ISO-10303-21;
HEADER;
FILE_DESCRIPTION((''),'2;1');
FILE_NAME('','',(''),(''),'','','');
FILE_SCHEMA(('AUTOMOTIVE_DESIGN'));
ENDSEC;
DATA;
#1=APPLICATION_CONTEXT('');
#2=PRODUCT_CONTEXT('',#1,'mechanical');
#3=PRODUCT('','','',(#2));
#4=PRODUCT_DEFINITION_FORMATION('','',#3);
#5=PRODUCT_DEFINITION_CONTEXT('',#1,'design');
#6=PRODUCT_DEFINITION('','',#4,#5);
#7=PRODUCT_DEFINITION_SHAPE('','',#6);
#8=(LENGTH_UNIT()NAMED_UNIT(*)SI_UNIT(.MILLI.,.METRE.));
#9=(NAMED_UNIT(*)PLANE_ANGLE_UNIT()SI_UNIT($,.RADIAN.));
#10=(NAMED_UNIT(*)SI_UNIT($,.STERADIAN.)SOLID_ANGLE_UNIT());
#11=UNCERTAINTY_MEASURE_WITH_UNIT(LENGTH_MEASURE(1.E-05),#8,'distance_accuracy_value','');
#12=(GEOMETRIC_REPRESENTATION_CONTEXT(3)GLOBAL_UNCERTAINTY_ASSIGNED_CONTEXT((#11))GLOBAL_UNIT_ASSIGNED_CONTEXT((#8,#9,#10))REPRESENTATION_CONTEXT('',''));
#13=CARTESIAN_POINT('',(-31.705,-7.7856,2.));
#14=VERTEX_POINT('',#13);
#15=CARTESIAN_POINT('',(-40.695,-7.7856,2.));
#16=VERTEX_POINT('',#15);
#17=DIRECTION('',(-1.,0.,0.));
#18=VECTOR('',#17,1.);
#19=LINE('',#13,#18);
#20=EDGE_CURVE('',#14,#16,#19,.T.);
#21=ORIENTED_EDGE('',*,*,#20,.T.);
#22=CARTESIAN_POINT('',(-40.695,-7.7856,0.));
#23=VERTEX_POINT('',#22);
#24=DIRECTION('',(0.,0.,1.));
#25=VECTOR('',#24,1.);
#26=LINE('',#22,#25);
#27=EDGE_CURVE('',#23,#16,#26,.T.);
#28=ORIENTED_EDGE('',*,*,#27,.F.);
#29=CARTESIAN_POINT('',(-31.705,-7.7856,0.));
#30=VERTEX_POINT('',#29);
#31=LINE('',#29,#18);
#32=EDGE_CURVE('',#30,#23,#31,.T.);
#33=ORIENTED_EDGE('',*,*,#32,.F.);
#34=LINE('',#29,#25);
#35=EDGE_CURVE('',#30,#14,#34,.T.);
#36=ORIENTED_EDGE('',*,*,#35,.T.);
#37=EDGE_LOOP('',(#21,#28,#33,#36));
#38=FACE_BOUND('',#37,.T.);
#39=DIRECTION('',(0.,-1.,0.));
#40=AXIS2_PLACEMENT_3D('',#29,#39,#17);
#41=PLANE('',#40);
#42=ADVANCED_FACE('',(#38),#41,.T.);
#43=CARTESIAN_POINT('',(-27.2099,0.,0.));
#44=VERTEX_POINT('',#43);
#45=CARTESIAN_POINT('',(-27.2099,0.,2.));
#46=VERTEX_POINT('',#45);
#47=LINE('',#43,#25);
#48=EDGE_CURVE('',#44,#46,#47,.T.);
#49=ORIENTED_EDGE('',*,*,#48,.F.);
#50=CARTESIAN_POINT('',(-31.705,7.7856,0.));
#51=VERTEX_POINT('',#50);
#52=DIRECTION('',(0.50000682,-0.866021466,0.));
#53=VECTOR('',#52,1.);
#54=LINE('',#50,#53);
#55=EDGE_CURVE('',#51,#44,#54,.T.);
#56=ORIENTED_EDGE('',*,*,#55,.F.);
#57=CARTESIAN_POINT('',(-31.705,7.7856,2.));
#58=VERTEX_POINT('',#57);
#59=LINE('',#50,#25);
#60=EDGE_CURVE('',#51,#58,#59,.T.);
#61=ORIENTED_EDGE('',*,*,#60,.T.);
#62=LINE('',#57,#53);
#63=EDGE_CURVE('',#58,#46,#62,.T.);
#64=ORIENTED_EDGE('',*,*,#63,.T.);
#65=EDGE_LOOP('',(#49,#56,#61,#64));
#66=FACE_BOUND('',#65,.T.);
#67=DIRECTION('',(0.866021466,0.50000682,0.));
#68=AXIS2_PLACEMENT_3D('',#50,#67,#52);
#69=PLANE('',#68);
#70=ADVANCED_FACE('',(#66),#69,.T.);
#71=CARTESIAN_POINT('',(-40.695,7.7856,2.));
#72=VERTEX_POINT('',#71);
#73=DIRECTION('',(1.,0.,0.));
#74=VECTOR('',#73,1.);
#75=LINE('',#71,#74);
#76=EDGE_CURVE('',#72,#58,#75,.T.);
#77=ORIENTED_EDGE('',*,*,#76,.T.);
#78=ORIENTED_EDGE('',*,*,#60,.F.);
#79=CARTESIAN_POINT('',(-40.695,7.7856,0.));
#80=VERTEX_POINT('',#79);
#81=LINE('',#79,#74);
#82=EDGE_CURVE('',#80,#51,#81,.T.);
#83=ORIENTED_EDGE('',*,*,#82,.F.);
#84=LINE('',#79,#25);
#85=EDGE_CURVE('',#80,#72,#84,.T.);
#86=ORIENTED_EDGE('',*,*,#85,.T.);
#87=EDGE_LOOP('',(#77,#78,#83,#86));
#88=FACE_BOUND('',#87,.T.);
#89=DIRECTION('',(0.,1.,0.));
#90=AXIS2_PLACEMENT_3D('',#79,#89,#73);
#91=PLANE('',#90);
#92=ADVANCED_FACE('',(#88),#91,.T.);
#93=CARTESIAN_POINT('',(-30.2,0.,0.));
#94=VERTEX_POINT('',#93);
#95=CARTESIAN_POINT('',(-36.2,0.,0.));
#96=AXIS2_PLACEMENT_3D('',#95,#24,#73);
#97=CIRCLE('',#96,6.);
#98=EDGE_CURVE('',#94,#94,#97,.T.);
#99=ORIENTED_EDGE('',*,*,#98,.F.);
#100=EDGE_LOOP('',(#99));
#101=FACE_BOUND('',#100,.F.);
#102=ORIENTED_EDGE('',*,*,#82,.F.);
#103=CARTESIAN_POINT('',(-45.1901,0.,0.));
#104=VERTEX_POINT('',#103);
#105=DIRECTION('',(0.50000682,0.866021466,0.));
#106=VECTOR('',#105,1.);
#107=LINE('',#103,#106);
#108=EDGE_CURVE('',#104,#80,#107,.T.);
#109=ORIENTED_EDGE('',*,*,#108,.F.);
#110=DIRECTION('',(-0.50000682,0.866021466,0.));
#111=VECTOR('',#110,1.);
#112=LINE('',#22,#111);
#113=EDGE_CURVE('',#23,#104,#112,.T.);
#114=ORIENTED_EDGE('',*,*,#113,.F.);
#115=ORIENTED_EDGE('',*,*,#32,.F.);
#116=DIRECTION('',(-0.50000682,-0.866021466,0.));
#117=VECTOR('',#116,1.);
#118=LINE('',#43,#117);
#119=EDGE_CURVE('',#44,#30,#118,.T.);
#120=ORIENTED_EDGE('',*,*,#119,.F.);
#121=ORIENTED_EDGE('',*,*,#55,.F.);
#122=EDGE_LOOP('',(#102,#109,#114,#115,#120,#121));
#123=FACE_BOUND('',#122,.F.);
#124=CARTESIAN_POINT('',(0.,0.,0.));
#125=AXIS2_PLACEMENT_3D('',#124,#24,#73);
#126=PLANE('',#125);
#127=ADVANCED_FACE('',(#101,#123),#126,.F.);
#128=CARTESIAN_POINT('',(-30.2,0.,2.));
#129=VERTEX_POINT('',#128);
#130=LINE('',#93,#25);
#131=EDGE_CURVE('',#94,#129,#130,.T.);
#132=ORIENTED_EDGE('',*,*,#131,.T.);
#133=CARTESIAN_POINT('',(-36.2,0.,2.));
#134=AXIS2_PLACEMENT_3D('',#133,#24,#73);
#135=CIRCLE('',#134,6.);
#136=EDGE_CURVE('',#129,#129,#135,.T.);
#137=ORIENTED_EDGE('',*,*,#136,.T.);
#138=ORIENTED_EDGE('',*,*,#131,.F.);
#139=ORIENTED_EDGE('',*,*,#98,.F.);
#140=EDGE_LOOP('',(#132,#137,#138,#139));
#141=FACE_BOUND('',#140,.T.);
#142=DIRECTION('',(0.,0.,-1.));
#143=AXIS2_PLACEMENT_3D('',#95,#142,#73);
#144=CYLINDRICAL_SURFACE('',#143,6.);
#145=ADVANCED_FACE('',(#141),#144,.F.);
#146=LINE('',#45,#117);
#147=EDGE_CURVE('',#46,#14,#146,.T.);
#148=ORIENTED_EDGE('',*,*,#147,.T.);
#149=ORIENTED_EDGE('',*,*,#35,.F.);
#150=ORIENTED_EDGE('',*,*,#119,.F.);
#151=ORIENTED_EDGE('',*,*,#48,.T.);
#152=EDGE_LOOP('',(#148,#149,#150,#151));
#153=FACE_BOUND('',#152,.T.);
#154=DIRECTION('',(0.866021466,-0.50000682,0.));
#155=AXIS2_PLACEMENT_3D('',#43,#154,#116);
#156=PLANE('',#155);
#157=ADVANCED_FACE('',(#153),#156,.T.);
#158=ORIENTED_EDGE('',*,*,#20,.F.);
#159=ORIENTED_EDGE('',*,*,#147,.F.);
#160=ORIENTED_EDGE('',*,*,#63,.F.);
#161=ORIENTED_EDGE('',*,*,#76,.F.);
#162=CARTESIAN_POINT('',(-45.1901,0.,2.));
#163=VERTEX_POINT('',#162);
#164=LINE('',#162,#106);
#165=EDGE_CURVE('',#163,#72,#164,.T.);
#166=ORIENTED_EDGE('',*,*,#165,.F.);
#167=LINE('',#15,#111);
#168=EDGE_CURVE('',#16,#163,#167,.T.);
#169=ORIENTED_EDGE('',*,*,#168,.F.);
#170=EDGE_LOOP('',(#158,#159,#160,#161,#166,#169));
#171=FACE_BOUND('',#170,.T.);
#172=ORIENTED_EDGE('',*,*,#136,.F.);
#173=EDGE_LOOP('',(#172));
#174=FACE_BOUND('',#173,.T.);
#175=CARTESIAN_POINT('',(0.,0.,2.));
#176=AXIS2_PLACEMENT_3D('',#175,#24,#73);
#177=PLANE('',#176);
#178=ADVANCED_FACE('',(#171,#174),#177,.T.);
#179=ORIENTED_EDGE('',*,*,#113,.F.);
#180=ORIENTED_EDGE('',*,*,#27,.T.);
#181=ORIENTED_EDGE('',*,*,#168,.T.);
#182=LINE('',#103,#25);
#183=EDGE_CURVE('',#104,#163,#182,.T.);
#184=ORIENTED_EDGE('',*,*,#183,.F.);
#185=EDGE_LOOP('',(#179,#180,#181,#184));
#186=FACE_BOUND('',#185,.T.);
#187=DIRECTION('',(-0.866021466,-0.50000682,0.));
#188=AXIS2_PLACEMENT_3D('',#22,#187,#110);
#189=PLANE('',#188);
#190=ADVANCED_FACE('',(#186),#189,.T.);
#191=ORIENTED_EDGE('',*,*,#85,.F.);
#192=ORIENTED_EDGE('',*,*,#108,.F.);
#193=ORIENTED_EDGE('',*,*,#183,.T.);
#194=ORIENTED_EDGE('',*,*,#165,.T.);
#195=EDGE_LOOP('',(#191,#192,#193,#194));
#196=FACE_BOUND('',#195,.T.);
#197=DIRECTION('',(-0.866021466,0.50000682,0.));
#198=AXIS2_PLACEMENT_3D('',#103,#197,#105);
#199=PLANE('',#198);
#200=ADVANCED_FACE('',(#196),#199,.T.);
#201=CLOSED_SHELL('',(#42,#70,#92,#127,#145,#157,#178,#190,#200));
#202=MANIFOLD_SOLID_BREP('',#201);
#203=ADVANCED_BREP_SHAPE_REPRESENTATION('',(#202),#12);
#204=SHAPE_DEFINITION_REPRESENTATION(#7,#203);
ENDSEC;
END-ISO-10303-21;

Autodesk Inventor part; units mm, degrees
ref_plane "YZ Plane" through (0, 0, 0) normal (1, 0, 0) x (0, 1, 0)
ref_plane "XZ Plane" through (0, 0, 0) normal (0, 1, 0) x (-1, 0, 0)
ref_plane "XY Plane" through (0, 0, 0) normal (0, 0, 1) x (1, 0, 0)
sketch "Sketch1" plane through (0, 0, 0) normal (0, 0, 1) x (1, 0, 0)
  circle A0 centre (-36.2, 0) radius 6 projected
  circle A1 centre (-36.2, 0) radius 6
  line L0 (-27.2099, 0) -> (-31.705, -7.7856)
  line L1 (-31.705, -7.7856) -> (-40.695, -7.7856)
  line L2 (-40.695, -7.7856) -> (-45.1901, 0)
  line L3 (-45.1901, 0) -> (-40.695, 7.7856)
  line L4 (-40.695, 7.7856) -> (-31.705, 7.7856)
  line L5 (-31.705, 7.7856) -> (-27.2099, 0)
  point P0 (0, 0)
extrude "Extrusion1" add sketch "Sketch1" along normal blind 2
properties part number "NKK_S1AL_mother" material "Stainless Steel"
